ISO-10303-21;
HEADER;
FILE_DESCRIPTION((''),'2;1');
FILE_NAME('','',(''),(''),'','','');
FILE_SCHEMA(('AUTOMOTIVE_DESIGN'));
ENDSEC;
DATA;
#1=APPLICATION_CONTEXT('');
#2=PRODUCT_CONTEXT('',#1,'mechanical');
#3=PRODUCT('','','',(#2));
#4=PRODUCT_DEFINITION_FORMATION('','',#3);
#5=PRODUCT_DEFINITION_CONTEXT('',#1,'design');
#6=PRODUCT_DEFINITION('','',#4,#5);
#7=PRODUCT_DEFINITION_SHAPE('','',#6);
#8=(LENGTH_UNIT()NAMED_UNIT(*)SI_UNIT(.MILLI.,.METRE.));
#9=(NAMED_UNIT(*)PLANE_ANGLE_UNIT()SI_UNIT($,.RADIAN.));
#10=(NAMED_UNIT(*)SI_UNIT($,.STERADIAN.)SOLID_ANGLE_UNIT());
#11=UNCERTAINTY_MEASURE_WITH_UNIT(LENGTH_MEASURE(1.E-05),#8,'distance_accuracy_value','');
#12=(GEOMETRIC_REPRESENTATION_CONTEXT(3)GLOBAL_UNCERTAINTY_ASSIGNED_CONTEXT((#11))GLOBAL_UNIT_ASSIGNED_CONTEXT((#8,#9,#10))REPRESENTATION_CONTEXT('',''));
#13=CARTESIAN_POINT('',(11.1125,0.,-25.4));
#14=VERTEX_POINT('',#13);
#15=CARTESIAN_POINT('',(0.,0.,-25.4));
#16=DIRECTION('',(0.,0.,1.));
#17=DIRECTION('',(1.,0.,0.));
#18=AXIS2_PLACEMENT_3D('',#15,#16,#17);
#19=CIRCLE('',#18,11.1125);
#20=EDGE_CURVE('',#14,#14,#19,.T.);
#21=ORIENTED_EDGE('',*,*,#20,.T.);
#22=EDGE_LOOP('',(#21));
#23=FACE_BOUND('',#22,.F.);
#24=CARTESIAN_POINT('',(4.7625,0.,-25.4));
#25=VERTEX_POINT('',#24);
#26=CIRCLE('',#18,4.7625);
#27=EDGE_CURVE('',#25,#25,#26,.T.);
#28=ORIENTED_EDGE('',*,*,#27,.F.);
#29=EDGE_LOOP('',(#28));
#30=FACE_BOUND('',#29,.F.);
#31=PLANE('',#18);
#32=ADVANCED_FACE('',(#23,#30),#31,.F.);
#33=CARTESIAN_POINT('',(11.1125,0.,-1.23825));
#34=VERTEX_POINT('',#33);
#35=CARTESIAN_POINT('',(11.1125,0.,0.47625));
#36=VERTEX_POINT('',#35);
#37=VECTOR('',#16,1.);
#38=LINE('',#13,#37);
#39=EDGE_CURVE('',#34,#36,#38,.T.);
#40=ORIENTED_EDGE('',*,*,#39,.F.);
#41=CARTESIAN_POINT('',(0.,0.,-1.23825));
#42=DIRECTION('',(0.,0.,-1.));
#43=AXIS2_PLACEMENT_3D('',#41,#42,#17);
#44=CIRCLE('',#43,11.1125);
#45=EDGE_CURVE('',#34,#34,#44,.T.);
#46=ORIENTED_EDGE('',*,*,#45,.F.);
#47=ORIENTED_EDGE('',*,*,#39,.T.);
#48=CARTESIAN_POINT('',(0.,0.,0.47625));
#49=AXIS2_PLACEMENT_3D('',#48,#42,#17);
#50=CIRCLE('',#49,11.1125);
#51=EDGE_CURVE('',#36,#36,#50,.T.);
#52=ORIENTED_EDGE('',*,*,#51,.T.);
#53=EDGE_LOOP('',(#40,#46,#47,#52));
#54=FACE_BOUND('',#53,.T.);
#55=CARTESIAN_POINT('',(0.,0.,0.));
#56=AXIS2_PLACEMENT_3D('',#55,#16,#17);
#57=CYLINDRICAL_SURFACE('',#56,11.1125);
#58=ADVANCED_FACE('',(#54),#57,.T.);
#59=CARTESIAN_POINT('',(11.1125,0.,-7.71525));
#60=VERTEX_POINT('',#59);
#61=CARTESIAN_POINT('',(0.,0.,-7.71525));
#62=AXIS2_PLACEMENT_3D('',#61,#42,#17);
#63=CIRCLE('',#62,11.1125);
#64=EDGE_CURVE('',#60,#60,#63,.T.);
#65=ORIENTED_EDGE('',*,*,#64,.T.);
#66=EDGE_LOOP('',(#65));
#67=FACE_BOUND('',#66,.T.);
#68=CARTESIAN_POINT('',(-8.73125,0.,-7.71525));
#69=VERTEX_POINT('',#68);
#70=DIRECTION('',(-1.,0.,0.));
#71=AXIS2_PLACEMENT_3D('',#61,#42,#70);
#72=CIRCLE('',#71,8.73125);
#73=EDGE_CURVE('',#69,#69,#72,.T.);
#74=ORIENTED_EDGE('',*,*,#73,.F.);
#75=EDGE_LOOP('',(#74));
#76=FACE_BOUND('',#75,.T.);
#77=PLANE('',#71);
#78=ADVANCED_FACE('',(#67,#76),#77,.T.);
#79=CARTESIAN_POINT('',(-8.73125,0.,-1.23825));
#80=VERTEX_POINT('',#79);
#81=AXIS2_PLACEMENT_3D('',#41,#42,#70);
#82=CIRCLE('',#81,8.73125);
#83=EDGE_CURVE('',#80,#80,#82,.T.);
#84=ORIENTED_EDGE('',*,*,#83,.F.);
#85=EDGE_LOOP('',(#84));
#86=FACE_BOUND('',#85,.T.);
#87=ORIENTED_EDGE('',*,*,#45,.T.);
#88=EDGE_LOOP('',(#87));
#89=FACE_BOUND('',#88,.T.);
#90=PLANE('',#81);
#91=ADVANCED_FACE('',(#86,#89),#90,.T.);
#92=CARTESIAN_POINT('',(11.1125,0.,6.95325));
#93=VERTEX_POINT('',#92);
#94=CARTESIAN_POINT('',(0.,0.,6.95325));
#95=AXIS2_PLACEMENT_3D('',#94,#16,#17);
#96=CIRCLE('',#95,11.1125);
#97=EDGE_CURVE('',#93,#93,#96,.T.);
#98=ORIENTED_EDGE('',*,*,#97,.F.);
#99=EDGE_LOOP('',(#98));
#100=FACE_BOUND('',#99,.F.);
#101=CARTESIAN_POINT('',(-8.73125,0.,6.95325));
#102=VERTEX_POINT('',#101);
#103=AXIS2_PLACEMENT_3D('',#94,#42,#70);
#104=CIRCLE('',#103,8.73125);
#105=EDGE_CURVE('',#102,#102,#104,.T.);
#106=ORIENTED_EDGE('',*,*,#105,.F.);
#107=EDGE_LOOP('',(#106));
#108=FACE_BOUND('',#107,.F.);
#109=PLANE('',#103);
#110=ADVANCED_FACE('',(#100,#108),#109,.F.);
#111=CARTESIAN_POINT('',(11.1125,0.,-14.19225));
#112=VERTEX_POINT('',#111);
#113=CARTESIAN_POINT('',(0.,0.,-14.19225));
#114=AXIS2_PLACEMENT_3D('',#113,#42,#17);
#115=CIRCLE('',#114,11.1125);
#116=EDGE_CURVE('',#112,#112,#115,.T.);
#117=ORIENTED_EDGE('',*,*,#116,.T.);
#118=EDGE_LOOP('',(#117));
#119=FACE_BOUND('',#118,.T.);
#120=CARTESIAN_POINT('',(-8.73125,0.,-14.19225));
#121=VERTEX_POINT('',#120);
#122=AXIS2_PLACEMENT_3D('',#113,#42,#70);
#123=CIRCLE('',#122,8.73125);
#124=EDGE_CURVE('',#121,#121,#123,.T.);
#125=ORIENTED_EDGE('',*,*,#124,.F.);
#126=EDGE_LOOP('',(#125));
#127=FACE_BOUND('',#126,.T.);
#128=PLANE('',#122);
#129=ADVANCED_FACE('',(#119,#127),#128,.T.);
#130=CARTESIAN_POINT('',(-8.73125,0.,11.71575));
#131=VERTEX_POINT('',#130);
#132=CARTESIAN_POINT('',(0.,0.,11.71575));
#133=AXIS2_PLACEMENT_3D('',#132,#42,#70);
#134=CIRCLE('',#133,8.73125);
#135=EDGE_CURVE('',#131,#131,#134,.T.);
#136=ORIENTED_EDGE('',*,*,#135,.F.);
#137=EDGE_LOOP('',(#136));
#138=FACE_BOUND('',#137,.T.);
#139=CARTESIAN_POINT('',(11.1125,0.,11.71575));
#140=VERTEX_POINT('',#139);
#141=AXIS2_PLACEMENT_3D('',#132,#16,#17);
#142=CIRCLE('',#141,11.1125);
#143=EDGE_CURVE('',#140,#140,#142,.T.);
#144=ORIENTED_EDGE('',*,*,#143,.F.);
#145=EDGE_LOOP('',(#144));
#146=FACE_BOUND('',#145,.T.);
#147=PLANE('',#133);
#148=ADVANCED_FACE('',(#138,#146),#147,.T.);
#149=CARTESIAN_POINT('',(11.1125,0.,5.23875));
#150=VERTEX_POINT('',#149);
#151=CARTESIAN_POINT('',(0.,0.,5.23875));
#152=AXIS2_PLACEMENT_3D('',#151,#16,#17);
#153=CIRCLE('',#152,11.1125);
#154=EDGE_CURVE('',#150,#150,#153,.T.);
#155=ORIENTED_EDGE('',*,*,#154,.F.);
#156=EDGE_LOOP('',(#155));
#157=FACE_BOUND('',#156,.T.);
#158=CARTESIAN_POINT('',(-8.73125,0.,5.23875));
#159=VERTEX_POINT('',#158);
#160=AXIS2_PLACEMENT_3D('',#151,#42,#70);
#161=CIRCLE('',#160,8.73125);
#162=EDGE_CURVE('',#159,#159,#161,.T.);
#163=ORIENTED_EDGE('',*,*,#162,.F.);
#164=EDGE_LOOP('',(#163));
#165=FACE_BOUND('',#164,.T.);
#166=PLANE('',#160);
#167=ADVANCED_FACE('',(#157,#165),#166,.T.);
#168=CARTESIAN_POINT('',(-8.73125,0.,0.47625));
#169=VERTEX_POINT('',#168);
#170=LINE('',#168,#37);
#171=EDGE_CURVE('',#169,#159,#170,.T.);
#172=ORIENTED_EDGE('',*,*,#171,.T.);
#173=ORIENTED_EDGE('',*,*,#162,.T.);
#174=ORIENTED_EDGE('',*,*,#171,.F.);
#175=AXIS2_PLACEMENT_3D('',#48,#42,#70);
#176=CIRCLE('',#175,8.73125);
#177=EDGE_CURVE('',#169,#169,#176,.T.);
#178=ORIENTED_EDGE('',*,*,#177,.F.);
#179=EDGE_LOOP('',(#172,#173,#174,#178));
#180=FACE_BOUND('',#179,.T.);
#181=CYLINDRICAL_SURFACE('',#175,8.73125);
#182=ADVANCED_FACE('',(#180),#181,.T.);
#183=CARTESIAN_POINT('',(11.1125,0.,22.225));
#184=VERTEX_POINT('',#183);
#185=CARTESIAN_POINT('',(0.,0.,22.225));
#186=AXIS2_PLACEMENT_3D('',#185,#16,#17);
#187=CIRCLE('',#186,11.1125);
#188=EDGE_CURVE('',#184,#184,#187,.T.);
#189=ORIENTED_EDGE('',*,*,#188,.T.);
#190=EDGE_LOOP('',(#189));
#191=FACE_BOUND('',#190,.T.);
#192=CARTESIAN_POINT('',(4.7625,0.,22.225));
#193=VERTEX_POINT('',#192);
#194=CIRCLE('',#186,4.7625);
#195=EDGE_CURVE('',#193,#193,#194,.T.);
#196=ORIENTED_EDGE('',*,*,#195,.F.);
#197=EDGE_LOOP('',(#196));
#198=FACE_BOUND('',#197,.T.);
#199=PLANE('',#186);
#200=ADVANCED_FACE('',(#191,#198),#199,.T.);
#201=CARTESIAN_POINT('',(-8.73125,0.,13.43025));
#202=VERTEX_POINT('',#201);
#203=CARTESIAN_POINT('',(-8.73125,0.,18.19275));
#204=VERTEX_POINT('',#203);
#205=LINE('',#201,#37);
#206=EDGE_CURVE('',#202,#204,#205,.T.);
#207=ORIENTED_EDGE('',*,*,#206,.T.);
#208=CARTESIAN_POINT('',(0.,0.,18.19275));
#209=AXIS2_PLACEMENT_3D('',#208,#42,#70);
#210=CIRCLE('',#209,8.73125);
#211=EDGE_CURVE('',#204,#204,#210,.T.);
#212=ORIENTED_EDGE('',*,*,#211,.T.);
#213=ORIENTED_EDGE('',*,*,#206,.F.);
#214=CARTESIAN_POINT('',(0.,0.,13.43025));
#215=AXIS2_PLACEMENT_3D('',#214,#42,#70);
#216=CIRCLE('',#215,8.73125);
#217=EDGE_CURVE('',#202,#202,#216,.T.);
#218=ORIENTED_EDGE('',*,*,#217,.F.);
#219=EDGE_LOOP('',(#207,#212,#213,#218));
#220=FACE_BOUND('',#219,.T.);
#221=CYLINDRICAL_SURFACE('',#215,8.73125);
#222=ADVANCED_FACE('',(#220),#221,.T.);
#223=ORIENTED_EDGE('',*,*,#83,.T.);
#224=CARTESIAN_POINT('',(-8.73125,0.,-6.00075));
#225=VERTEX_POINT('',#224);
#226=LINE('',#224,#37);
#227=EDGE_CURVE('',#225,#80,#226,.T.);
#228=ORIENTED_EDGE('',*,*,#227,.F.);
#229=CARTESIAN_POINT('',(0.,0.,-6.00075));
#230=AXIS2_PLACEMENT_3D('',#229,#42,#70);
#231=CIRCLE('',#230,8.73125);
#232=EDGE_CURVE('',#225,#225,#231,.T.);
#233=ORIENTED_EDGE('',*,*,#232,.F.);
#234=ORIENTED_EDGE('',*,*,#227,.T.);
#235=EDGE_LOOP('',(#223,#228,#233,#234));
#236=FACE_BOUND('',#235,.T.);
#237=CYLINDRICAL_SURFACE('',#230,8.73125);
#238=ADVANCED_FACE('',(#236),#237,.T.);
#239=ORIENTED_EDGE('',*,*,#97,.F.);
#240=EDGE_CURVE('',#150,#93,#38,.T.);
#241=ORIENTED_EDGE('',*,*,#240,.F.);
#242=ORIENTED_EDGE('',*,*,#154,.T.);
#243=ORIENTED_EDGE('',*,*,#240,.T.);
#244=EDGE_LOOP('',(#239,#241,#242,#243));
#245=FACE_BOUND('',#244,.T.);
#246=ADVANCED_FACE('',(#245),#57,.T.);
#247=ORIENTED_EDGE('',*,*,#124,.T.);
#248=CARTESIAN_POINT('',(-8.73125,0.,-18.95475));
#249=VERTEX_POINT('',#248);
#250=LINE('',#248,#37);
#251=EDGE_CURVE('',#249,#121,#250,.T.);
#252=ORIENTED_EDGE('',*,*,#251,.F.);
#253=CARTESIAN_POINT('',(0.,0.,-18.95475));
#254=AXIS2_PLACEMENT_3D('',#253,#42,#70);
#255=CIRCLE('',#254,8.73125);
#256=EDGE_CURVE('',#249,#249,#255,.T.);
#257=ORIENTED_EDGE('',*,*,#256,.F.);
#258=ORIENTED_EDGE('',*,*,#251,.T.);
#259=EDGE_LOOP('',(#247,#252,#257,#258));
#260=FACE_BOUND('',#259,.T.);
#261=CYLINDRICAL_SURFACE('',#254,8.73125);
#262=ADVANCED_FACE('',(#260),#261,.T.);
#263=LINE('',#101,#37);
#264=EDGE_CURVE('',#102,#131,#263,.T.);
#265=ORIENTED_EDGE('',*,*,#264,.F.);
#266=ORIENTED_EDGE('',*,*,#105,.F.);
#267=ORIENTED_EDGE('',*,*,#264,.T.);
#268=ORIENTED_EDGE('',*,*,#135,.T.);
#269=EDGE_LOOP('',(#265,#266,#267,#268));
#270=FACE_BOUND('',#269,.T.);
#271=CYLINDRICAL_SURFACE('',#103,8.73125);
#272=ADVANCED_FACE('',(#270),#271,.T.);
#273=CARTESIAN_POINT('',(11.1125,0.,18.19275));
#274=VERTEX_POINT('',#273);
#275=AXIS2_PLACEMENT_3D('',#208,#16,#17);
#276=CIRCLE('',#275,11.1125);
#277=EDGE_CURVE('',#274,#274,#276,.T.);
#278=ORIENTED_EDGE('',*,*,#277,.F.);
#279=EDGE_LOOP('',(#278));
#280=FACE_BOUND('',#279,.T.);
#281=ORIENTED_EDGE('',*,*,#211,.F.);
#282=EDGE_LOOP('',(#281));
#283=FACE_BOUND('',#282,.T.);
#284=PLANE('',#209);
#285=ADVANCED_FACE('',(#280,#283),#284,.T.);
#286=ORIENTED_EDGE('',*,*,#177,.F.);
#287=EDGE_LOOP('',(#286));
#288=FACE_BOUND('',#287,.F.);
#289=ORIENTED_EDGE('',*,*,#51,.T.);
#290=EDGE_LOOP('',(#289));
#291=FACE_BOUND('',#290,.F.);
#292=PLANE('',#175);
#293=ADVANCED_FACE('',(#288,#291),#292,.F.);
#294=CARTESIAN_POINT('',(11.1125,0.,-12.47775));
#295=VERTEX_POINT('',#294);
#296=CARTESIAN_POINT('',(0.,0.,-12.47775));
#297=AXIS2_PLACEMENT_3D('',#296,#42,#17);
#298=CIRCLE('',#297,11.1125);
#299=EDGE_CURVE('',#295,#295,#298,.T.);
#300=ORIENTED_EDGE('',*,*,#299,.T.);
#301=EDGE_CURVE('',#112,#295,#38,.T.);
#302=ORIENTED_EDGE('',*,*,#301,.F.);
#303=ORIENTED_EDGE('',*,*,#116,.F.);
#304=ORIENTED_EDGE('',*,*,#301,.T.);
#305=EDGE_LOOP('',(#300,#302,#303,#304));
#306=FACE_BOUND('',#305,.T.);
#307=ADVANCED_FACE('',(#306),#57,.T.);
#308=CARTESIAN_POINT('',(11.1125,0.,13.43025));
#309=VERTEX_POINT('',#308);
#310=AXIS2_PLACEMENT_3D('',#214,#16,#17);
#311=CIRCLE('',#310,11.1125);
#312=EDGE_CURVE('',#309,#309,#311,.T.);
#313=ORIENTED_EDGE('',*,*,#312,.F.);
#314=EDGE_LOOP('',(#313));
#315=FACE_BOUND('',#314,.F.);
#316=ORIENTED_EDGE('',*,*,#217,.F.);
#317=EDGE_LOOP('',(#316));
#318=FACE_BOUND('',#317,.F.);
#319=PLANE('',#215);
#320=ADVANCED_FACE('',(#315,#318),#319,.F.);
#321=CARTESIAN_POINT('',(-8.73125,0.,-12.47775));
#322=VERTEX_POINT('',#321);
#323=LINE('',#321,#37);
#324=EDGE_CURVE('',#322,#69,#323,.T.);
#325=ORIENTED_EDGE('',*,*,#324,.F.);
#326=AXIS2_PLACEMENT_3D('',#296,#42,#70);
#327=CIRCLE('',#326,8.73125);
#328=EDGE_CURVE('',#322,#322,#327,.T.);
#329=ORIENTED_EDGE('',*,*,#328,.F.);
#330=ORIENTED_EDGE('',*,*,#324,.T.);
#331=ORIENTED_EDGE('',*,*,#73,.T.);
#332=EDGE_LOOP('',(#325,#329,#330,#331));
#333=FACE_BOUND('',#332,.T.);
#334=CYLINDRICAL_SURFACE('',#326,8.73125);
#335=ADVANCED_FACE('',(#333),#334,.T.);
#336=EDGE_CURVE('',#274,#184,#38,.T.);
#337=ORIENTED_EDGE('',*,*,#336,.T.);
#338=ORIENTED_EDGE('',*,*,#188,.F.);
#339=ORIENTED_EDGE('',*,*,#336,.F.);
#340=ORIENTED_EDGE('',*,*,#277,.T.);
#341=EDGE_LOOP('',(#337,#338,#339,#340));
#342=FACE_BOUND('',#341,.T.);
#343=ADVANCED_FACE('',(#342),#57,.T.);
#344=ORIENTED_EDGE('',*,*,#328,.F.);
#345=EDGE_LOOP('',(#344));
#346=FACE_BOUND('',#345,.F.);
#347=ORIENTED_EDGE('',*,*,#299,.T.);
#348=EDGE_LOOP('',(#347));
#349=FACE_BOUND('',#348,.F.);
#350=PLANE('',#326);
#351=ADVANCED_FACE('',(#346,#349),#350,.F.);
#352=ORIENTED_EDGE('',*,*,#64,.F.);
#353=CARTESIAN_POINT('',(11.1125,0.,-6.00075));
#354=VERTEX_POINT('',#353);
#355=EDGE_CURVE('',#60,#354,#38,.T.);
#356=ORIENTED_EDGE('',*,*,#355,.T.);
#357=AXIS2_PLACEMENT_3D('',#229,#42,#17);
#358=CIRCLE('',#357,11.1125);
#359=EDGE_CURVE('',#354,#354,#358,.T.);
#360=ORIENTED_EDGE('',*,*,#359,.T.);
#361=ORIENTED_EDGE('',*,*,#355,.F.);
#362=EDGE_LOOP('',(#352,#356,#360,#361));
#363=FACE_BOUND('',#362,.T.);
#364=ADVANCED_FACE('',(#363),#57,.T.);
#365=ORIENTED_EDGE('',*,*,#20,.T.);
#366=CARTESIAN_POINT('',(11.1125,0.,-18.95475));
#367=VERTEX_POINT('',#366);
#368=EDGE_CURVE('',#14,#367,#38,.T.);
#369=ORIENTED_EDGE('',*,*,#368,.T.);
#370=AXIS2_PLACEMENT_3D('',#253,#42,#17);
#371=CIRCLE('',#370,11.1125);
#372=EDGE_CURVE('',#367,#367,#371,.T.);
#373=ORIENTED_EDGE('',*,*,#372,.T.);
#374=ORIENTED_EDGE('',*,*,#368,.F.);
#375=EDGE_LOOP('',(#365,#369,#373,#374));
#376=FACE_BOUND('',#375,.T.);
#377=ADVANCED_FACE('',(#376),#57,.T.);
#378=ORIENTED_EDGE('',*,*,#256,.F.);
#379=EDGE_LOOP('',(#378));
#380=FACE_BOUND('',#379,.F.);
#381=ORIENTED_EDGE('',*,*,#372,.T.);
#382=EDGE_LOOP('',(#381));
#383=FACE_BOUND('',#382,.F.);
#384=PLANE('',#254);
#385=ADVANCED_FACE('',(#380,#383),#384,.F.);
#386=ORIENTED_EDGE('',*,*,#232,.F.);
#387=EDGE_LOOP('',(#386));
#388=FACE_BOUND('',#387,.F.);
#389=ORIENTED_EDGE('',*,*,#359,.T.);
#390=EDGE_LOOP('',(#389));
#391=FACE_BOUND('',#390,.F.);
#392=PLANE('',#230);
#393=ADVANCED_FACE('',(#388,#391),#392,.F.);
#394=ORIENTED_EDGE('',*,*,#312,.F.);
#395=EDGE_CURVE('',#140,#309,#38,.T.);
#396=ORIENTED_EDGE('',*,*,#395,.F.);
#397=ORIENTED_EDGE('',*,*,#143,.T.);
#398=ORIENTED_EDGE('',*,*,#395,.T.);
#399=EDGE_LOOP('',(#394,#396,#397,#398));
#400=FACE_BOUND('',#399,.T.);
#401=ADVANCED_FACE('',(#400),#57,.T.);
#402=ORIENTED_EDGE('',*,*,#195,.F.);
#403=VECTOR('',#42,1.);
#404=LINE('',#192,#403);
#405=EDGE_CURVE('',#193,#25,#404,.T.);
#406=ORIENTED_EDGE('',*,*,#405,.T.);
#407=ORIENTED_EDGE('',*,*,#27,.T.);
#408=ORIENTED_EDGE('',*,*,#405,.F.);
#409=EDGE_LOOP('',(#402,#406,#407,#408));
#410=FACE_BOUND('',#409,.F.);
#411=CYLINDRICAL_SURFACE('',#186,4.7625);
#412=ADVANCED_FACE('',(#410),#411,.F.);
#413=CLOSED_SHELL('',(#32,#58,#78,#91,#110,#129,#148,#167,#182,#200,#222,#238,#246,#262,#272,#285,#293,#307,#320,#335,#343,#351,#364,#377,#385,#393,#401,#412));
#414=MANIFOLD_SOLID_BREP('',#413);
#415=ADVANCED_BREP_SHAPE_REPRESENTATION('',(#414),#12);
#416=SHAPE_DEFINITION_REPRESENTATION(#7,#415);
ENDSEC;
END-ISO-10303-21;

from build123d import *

# Parameters (mm, degrees)
SKETCH1_R          = 11.1125
SKETCH1_R_2        = 3.2004
EXTRUDE1_DEPTH     = 25.4
SKETCH5_R          = 11.1125
SKETCH5_R_2        = 3.2004
CUT_EXTRUDE1_DEPTH = 3.175
SKETCH6_R          = 4.7625
CUT_EXTRUDE2_DEPTH = 48.625
CUT_EXTRUDE3_START = -6.44525
SKETCH7_R          = 11.1125
SKETCH7_R_2        = 8.73125
CUT_EXTRUDE3_DEPTH = 4.7625
LPATTERN1_COUNT    = 6
LPATTERN1_PITCH    = 6.477


with BuildPart() as part:
    # Sketch1 → Extrude1 (new body, symmetric)
    with BuildSketch(Plane.XY):
        Circle(SKETCH1_R)
        Circle(SKETCH1_R_2, mode=Mode.SUBTRACT)
    extrude(amount=EXTRUDE1_DEPTH, both=True)

    # Sketch5 → Cut-Extrude1 (cut)
    with BuildSketch(Plane.XY.offset(25.4)):
        Circle(SKETCH5_R)
        Circle(SKETCH5_R_2, mode=Mode.SUBTRACT)
    extrude(amount=-CUT_EXTRUDE1_DEPTH, mode=Mode.SUBTRACT)

    # Sketch6 → Cut-Extrude2 (cut, through all)
    with BuildSketch(Plane.XY.offset(22.225)):
        Circle(SKETCH6_R)
    extrude(amount=-CUT_EXTRUDE2_DEPTH, mode=Mode.SUBTRACT)

    # Sketch7 → Cut-Extrude3 (cut)
    with BuildSketch(Plane(origin=(0, 0, -25.4), x_dir=(-1, 0, 0), z_dir=(0, 0, -1)).offset(CUT_EXTRUDE3_START)):
        Circle(SKETCH7_R)
        Circle(SKETCH7_R_2, mode=Mode.SUBTRACT)
    cut_extrude3 = extrude(amount=-CUT_EXTRUDE3_DEPTH, mode=Mode.SUBTRACT)

    # LPattern1: Cut-Extrude3 ×6
    with Locations(*[(0, 0, i * LPATTERN1_PITCH) for i in range(1, LPATTERN1_COUNT)]):
        add(cut_extrude3, mode=Mode.SUBTRACT)


solid = part.part
